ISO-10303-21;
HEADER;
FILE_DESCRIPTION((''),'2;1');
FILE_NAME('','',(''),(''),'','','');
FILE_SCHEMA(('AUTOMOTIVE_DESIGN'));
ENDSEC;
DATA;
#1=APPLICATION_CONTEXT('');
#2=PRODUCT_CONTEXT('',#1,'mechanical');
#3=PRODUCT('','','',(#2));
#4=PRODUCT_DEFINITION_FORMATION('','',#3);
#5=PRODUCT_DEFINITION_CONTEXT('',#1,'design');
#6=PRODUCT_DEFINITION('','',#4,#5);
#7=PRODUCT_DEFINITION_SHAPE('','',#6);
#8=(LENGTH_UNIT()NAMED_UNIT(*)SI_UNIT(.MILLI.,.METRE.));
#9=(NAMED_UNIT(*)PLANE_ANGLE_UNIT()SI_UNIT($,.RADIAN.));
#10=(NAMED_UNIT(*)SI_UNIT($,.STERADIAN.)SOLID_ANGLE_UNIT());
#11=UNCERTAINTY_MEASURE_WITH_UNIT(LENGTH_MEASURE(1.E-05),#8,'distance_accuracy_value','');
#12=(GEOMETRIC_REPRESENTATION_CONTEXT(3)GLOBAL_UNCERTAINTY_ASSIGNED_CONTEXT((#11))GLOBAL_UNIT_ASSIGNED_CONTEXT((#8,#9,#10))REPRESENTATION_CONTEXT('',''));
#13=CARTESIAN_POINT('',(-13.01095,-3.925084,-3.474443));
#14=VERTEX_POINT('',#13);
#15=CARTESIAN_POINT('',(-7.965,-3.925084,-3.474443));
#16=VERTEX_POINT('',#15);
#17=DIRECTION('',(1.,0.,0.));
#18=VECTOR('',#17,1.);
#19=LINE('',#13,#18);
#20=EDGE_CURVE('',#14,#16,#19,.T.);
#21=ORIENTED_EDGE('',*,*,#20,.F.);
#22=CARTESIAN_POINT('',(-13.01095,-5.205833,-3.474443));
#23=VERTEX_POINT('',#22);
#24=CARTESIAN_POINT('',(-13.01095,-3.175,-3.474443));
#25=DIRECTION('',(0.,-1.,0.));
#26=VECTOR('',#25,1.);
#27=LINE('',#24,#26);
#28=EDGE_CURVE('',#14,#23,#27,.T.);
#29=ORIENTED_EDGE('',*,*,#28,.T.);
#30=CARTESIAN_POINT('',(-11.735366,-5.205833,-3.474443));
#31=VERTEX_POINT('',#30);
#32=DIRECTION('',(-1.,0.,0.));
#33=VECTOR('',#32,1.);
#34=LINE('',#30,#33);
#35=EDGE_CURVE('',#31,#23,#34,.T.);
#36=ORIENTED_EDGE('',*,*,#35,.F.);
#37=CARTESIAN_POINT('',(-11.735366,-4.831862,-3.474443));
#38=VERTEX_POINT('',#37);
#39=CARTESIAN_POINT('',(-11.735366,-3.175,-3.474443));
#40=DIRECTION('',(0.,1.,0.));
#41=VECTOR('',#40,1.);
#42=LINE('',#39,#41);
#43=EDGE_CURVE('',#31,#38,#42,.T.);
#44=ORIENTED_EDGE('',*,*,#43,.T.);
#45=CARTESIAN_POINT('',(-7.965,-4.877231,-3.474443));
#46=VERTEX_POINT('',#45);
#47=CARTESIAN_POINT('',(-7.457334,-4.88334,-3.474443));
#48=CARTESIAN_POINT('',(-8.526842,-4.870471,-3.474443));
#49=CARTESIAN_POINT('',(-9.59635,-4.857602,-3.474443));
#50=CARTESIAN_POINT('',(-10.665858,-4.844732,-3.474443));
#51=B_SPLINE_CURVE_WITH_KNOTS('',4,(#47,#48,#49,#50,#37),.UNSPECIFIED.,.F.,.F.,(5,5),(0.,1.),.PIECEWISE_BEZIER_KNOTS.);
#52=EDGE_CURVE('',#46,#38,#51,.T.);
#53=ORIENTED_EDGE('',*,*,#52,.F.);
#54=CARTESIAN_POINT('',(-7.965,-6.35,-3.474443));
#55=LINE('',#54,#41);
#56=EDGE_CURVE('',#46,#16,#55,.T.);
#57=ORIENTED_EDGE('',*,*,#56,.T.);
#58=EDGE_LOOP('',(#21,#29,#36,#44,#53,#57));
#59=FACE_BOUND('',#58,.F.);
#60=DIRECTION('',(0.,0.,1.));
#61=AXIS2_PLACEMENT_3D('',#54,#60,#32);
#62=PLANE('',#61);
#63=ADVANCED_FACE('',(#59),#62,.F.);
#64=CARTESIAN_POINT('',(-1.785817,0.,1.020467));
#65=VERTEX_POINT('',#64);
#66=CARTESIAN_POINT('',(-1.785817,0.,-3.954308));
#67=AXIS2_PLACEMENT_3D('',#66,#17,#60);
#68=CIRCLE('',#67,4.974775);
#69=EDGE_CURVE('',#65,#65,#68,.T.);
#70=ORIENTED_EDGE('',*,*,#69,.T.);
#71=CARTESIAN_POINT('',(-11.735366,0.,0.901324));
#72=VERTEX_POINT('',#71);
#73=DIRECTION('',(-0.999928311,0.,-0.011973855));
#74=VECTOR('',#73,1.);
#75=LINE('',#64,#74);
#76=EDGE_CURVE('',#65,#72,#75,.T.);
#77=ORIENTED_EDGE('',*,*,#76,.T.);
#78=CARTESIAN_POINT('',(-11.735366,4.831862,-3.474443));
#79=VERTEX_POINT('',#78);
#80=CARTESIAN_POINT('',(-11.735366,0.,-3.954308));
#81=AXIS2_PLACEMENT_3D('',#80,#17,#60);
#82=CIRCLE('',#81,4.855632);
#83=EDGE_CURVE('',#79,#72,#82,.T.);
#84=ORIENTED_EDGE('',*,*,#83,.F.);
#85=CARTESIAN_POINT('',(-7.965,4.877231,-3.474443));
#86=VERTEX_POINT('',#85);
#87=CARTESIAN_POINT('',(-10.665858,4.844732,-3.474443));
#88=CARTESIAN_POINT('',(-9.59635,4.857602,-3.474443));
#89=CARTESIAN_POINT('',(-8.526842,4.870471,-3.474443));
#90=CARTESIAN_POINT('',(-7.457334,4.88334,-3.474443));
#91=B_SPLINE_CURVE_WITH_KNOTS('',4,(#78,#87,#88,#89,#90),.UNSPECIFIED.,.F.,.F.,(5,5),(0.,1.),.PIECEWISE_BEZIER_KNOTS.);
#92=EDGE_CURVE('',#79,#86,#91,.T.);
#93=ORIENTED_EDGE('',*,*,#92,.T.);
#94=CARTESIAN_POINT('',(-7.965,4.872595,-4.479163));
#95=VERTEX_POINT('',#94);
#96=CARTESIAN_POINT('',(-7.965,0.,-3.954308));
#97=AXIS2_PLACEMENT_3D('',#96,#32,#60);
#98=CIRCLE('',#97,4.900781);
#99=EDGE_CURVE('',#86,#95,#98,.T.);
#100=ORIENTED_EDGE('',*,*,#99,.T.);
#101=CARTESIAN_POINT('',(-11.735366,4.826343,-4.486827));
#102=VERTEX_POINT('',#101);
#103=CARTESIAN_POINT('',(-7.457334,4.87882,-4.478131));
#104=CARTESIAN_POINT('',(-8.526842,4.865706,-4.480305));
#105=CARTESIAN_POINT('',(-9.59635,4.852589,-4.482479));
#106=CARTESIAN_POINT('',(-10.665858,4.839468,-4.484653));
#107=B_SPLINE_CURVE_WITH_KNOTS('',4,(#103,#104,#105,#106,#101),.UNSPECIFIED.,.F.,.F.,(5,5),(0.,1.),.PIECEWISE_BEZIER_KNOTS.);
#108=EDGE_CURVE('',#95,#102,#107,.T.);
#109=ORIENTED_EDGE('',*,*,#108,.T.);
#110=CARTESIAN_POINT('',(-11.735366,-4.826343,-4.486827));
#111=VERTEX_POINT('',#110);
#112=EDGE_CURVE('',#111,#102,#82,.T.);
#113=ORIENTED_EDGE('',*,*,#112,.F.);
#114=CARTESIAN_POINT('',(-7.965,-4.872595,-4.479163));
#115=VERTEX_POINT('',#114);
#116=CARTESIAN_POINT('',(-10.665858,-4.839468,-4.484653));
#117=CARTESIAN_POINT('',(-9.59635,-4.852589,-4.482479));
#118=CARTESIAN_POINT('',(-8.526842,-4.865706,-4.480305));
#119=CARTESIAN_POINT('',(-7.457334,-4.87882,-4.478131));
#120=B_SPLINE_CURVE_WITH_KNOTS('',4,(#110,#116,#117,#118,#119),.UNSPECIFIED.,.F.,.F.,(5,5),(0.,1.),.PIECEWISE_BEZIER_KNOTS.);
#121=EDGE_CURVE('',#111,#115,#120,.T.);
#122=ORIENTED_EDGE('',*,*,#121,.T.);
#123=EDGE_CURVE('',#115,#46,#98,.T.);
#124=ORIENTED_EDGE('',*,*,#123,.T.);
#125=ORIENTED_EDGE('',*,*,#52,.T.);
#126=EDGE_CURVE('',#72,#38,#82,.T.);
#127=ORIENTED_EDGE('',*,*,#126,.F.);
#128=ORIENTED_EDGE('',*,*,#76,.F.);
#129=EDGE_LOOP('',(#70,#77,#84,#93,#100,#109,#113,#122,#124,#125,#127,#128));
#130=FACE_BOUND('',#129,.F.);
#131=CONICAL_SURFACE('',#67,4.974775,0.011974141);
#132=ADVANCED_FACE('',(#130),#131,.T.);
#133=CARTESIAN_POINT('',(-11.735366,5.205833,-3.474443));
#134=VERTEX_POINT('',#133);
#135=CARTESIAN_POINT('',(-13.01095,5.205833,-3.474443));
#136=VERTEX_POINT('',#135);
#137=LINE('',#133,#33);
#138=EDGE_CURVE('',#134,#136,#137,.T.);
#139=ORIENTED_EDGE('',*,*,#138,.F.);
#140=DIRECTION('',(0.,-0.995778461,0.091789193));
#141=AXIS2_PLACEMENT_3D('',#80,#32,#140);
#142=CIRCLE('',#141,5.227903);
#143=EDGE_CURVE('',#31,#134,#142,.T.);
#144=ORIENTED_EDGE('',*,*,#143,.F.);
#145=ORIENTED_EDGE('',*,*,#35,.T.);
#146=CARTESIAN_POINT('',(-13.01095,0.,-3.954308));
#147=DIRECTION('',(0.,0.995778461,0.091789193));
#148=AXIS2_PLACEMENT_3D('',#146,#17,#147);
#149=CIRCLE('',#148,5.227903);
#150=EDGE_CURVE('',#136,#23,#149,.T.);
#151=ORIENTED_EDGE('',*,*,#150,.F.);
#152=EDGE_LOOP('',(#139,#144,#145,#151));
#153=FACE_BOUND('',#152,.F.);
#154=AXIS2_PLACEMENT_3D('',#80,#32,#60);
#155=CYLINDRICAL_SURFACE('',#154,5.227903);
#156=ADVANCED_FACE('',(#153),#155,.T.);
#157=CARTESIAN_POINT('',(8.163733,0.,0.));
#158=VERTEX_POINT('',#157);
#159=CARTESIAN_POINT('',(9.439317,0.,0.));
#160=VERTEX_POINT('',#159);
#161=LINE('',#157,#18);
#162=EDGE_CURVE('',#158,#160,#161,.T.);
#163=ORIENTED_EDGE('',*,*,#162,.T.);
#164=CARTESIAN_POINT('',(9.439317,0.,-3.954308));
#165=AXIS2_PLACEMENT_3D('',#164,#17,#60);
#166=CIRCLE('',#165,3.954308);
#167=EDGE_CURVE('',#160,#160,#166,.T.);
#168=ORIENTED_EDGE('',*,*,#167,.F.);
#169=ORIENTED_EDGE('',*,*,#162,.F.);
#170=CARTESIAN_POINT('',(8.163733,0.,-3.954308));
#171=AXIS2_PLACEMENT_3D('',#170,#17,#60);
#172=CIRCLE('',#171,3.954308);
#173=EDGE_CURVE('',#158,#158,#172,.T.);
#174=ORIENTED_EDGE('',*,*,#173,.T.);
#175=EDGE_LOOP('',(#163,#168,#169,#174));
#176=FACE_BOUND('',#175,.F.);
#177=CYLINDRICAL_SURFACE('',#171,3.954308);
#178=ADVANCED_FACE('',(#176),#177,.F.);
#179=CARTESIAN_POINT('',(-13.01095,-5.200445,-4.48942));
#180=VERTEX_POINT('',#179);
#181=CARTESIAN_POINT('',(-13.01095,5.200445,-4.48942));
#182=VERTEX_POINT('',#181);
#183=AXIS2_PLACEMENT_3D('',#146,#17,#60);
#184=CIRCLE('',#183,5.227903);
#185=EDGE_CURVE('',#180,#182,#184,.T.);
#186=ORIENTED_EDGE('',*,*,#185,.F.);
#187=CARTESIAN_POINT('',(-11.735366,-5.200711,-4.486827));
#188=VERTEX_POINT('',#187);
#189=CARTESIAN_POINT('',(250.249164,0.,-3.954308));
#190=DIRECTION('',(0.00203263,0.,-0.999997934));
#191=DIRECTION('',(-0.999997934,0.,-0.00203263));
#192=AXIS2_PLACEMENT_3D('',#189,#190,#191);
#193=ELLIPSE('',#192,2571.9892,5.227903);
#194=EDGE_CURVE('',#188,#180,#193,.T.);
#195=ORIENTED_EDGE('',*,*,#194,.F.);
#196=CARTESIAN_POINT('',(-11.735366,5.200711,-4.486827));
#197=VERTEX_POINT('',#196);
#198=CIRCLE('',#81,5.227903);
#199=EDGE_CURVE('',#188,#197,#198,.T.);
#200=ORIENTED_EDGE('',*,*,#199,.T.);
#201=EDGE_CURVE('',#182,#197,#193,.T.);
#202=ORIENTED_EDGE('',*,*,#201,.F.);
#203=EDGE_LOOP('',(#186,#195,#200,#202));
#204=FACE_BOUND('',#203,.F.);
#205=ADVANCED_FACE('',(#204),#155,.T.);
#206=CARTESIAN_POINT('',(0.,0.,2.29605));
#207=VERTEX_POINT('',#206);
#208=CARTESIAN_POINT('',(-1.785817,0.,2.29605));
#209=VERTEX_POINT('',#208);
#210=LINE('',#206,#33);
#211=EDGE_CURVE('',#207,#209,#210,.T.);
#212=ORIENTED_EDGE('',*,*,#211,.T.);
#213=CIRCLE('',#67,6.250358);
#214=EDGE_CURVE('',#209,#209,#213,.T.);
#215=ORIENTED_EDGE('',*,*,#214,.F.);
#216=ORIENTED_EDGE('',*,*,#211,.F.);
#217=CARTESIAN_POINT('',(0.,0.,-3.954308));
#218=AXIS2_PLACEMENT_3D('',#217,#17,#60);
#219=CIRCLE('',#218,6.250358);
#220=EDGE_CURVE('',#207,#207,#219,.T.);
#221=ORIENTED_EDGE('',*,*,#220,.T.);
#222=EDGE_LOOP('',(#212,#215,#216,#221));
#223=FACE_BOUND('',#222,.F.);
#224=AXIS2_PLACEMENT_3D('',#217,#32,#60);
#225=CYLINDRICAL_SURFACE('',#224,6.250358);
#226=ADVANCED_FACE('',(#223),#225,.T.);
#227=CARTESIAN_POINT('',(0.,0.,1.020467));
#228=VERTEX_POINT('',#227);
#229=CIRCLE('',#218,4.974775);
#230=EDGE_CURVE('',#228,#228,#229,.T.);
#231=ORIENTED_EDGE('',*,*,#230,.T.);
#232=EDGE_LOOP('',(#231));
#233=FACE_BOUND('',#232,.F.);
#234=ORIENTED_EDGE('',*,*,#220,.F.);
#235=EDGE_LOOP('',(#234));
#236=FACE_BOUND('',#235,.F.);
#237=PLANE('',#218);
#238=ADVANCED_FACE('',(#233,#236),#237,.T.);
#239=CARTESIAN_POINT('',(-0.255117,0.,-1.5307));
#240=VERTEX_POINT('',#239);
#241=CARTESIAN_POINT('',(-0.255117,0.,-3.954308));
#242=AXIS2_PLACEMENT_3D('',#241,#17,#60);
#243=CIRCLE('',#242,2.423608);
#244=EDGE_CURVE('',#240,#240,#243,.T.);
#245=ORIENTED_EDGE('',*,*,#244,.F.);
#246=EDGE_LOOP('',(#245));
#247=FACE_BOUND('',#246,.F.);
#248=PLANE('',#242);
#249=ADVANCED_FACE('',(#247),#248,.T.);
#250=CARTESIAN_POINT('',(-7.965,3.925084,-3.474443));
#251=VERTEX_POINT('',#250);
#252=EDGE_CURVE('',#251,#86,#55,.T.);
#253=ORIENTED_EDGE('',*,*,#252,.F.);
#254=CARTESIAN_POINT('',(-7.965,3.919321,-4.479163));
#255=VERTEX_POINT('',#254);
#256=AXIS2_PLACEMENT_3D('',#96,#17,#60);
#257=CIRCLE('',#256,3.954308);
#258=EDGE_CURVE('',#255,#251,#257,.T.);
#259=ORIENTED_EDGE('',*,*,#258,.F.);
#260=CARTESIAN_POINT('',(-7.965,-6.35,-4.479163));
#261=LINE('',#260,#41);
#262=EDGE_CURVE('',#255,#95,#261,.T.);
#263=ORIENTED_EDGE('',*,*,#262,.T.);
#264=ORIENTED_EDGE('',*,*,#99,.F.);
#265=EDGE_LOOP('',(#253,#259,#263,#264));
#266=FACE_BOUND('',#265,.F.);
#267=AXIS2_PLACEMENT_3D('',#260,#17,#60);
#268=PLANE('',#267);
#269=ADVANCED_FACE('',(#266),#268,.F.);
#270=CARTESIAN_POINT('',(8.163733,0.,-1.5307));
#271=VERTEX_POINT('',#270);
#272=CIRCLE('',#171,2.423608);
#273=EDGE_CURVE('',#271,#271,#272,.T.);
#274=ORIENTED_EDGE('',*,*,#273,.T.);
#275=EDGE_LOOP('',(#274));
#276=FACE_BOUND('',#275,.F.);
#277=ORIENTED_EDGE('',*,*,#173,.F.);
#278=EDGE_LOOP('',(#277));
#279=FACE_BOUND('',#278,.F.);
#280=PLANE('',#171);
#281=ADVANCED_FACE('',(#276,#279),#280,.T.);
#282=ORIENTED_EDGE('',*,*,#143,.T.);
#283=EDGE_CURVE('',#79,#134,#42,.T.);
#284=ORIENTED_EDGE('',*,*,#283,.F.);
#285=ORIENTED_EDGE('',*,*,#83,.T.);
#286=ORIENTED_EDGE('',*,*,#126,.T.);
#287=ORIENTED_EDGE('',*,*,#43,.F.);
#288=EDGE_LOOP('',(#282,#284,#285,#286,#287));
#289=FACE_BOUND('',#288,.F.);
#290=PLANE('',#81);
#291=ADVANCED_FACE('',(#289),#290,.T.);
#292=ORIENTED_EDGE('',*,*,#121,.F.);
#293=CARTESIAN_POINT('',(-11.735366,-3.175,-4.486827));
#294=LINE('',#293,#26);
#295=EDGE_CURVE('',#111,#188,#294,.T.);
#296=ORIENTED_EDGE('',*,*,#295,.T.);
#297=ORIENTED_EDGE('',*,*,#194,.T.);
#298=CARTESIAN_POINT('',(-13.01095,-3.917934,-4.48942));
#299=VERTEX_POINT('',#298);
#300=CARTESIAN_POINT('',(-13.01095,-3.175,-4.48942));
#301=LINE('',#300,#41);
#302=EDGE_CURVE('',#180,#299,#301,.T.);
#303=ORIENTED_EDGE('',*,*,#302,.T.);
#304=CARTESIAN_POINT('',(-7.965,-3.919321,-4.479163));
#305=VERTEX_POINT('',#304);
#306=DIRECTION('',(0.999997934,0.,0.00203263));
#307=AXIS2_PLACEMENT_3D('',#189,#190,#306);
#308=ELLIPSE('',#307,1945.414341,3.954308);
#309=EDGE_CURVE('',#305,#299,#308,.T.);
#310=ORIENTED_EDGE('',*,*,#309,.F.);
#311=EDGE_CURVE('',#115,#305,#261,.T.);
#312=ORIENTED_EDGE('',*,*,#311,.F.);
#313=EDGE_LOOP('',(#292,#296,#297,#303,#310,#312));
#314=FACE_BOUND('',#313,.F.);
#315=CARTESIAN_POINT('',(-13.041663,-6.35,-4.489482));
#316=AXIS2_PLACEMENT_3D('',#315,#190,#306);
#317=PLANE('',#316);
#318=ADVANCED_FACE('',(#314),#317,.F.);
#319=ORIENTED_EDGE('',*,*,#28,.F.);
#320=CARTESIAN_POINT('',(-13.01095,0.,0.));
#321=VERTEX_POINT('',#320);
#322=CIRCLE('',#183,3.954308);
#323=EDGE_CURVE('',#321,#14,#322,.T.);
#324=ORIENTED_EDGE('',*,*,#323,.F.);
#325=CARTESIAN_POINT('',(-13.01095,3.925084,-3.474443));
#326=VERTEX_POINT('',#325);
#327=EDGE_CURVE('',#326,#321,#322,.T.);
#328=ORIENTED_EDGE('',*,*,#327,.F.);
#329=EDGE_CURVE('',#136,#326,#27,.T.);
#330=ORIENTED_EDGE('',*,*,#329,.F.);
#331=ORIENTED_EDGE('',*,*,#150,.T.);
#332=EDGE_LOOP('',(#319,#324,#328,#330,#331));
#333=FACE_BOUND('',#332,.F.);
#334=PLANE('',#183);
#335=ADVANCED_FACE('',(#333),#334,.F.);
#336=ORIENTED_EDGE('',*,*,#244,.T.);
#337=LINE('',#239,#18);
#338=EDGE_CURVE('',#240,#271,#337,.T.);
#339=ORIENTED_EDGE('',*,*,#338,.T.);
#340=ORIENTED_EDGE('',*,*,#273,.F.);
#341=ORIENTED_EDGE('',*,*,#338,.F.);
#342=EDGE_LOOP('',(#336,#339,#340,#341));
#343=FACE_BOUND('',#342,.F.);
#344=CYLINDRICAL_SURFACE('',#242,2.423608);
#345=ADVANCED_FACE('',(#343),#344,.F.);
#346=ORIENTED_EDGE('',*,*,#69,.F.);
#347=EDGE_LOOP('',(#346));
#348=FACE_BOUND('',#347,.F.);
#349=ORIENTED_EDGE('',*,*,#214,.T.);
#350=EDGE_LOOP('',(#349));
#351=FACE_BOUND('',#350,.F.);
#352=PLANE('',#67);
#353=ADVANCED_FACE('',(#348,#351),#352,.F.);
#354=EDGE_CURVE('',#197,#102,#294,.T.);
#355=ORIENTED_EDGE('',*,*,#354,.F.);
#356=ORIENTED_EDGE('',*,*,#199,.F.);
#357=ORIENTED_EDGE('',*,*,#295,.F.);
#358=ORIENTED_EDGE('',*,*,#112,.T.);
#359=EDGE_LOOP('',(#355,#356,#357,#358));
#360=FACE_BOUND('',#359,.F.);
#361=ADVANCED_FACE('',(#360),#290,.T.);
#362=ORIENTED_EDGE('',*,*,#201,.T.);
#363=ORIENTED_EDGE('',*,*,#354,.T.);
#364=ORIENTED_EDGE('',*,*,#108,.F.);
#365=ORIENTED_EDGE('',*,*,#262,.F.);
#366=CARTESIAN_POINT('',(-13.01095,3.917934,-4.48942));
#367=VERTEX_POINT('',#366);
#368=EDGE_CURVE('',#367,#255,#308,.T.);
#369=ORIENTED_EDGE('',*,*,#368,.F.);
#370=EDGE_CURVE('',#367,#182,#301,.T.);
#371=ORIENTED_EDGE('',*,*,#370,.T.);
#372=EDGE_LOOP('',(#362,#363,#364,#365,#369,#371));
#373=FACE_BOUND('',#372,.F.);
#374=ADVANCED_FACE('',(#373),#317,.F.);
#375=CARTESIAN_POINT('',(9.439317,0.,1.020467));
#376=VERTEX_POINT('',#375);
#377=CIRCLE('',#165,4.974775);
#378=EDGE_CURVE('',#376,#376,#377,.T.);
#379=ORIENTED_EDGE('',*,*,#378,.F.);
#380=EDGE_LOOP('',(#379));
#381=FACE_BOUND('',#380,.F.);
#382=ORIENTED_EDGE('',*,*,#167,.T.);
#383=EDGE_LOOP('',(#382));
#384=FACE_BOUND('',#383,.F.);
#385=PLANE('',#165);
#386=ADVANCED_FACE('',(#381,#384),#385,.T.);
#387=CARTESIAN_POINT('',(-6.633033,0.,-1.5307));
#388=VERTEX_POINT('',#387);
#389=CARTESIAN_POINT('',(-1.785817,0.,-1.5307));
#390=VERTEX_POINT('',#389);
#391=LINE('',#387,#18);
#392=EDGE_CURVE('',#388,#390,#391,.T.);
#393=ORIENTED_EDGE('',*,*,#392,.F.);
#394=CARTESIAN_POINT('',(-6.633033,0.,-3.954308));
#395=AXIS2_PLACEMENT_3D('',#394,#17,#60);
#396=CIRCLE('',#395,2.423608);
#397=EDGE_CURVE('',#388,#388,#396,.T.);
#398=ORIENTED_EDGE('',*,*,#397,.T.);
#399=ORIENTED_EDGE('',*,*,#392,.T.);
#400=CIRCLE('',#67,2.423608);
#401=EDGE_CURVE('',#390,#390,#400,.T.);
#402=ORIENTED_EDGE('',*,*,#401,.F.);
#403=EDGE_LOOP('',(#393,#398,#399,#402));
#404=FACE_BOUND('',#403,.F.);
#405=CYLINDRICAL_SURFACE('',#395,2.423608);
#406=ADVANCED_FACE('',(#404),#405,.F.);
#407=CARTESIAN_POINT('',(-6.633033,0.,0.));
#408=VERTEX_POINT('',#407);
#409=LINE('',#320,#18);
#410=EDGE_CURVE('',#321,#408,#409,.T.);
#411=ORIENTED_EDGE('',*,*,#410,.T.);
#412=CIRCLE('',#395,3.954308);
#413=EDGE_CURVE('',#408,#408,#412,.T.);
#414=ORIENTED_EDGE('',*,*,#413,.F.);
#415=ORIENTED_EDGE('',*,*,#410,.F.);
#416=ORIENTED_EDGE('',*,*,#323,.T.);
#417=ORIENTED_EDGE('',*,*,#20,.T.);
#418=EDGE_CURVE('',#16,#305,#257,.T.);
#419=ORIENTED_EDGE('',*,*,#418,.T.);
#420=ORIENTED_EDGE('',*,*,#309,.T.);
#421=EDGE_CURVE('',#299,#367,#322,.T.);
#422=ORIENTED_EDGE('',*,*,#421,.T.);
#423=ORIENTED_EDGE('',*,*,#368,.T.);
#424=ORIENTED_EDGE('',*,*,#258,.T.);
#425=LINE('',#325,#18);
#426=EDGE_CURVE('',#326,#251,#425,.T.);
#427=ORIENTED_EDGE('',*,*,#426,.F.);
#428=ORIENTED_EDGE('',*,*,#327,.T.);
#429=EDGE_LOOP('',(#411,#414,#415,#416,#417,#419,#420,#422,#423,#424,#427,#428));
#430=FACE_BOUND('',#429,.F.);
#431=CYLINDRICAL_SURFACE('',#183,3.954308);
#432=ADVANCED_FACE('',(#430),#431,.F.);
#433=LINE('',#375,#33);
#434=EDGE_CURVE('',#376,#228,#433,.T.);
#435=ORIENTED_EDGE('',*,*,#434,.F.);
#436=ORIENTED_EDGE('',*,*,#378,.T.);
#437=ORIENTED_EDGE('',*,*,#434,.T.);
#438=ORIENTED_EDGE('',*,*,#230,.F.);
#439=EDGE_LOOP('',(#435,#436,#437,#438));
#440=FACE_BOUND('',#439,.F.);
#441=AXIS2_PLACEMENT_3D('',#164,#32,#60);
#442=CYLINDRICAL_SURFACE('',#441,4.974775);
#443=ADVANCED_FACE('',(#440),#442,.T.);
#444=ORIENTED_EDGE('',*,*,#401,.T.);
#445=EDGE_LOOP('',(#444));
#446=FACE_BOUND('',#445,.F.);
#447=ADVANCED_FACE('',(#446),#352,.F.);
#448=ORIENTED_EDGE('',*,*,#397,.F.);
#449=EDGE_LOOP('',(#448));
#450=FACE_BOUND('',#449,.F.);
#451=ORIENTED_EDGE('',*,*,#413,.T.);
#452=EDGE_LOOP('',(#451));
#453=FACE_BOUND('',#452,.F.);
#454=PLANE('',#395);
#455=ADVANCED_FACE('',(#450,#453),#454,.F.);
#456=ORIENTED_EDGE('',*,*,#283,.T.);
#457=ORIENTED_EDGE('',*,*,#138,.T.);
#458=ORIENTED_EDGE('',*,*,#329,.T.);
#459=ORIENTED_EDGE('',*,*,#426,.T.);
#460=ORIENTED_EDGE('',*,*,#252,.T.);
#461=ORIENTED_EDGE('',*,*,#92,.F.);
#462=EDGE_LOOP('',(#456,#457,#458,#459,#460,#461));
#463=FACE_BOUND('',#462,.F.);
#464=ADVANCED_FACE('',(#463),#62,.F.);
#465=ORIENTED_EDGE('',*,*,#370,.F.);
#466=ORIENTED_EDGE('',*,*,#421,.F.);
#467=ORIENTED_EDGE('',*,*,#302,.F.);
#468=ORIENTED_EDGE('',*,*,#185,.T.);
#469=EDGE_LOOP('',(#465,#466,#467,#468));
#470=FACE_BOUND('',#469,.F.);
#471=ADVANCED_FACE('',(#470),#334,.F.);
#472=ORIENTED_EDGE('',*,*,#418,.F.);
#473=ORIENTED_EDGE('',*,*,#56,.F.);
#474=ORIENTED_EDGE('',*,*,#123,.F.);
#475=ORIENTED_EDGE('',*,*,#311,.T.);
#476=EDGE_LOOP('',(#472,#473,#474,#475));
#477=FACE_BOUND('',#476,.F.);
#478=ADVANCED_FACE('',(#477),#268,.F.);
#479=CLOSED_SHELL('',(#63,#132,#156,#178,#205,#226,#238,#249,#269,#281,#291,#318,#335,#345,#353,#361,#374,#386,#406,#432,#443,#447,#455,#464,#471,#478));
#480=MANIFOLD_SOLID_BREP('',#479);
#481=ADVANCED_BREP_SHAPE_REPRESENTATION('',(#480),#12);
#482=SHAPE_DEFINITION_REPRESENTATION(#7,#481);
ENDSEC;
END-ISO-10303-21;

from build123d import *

# Parameters (mm, degrees)
F4_DEPTH = 25.4


with BuildPart() as f1:
    # F0 (on Front) → F1 (revolve)
    with BuildSketch(Plane.XZ):
        Polygon((-11.735366, 1.273595), (-13.01095, 1.273595), (-13.01095, 0), (-6.633033, 0), (-6.633033, -1.5307), (-1.785817, -1.5307), (-1.785817, -3.954308), (-0.255117, -3.954308), (-0.255117, -1.5307), (8.163733, -1.5307), (8.163733, 0), (9.439317, 0), (9.439317, 1.020467), (0, 1.020467), (0, 2.29605), (-1.785817, 2.29605), (-1.785817, 1.020467), (-11.735366, 0.901324), align=None)
    revolve(axis=Axis((-1.020467, 0, -3.954308), (1, 0, 0)))

    # F3 (on offset) → F4 (cut)
    with BuildSketch(Plane.XZ.offset(6.35)):
        Polygon((-13.041663, -3.474443), (-13.041663, -3.976177), (-13.041663, -4.489482), (-7.965, -4.479163), (-7.965, -3.474443), align=None)
    extrude(amount=-F4_DEPTH, mode=Mode.SUBTRACT)


solid = f1.part
